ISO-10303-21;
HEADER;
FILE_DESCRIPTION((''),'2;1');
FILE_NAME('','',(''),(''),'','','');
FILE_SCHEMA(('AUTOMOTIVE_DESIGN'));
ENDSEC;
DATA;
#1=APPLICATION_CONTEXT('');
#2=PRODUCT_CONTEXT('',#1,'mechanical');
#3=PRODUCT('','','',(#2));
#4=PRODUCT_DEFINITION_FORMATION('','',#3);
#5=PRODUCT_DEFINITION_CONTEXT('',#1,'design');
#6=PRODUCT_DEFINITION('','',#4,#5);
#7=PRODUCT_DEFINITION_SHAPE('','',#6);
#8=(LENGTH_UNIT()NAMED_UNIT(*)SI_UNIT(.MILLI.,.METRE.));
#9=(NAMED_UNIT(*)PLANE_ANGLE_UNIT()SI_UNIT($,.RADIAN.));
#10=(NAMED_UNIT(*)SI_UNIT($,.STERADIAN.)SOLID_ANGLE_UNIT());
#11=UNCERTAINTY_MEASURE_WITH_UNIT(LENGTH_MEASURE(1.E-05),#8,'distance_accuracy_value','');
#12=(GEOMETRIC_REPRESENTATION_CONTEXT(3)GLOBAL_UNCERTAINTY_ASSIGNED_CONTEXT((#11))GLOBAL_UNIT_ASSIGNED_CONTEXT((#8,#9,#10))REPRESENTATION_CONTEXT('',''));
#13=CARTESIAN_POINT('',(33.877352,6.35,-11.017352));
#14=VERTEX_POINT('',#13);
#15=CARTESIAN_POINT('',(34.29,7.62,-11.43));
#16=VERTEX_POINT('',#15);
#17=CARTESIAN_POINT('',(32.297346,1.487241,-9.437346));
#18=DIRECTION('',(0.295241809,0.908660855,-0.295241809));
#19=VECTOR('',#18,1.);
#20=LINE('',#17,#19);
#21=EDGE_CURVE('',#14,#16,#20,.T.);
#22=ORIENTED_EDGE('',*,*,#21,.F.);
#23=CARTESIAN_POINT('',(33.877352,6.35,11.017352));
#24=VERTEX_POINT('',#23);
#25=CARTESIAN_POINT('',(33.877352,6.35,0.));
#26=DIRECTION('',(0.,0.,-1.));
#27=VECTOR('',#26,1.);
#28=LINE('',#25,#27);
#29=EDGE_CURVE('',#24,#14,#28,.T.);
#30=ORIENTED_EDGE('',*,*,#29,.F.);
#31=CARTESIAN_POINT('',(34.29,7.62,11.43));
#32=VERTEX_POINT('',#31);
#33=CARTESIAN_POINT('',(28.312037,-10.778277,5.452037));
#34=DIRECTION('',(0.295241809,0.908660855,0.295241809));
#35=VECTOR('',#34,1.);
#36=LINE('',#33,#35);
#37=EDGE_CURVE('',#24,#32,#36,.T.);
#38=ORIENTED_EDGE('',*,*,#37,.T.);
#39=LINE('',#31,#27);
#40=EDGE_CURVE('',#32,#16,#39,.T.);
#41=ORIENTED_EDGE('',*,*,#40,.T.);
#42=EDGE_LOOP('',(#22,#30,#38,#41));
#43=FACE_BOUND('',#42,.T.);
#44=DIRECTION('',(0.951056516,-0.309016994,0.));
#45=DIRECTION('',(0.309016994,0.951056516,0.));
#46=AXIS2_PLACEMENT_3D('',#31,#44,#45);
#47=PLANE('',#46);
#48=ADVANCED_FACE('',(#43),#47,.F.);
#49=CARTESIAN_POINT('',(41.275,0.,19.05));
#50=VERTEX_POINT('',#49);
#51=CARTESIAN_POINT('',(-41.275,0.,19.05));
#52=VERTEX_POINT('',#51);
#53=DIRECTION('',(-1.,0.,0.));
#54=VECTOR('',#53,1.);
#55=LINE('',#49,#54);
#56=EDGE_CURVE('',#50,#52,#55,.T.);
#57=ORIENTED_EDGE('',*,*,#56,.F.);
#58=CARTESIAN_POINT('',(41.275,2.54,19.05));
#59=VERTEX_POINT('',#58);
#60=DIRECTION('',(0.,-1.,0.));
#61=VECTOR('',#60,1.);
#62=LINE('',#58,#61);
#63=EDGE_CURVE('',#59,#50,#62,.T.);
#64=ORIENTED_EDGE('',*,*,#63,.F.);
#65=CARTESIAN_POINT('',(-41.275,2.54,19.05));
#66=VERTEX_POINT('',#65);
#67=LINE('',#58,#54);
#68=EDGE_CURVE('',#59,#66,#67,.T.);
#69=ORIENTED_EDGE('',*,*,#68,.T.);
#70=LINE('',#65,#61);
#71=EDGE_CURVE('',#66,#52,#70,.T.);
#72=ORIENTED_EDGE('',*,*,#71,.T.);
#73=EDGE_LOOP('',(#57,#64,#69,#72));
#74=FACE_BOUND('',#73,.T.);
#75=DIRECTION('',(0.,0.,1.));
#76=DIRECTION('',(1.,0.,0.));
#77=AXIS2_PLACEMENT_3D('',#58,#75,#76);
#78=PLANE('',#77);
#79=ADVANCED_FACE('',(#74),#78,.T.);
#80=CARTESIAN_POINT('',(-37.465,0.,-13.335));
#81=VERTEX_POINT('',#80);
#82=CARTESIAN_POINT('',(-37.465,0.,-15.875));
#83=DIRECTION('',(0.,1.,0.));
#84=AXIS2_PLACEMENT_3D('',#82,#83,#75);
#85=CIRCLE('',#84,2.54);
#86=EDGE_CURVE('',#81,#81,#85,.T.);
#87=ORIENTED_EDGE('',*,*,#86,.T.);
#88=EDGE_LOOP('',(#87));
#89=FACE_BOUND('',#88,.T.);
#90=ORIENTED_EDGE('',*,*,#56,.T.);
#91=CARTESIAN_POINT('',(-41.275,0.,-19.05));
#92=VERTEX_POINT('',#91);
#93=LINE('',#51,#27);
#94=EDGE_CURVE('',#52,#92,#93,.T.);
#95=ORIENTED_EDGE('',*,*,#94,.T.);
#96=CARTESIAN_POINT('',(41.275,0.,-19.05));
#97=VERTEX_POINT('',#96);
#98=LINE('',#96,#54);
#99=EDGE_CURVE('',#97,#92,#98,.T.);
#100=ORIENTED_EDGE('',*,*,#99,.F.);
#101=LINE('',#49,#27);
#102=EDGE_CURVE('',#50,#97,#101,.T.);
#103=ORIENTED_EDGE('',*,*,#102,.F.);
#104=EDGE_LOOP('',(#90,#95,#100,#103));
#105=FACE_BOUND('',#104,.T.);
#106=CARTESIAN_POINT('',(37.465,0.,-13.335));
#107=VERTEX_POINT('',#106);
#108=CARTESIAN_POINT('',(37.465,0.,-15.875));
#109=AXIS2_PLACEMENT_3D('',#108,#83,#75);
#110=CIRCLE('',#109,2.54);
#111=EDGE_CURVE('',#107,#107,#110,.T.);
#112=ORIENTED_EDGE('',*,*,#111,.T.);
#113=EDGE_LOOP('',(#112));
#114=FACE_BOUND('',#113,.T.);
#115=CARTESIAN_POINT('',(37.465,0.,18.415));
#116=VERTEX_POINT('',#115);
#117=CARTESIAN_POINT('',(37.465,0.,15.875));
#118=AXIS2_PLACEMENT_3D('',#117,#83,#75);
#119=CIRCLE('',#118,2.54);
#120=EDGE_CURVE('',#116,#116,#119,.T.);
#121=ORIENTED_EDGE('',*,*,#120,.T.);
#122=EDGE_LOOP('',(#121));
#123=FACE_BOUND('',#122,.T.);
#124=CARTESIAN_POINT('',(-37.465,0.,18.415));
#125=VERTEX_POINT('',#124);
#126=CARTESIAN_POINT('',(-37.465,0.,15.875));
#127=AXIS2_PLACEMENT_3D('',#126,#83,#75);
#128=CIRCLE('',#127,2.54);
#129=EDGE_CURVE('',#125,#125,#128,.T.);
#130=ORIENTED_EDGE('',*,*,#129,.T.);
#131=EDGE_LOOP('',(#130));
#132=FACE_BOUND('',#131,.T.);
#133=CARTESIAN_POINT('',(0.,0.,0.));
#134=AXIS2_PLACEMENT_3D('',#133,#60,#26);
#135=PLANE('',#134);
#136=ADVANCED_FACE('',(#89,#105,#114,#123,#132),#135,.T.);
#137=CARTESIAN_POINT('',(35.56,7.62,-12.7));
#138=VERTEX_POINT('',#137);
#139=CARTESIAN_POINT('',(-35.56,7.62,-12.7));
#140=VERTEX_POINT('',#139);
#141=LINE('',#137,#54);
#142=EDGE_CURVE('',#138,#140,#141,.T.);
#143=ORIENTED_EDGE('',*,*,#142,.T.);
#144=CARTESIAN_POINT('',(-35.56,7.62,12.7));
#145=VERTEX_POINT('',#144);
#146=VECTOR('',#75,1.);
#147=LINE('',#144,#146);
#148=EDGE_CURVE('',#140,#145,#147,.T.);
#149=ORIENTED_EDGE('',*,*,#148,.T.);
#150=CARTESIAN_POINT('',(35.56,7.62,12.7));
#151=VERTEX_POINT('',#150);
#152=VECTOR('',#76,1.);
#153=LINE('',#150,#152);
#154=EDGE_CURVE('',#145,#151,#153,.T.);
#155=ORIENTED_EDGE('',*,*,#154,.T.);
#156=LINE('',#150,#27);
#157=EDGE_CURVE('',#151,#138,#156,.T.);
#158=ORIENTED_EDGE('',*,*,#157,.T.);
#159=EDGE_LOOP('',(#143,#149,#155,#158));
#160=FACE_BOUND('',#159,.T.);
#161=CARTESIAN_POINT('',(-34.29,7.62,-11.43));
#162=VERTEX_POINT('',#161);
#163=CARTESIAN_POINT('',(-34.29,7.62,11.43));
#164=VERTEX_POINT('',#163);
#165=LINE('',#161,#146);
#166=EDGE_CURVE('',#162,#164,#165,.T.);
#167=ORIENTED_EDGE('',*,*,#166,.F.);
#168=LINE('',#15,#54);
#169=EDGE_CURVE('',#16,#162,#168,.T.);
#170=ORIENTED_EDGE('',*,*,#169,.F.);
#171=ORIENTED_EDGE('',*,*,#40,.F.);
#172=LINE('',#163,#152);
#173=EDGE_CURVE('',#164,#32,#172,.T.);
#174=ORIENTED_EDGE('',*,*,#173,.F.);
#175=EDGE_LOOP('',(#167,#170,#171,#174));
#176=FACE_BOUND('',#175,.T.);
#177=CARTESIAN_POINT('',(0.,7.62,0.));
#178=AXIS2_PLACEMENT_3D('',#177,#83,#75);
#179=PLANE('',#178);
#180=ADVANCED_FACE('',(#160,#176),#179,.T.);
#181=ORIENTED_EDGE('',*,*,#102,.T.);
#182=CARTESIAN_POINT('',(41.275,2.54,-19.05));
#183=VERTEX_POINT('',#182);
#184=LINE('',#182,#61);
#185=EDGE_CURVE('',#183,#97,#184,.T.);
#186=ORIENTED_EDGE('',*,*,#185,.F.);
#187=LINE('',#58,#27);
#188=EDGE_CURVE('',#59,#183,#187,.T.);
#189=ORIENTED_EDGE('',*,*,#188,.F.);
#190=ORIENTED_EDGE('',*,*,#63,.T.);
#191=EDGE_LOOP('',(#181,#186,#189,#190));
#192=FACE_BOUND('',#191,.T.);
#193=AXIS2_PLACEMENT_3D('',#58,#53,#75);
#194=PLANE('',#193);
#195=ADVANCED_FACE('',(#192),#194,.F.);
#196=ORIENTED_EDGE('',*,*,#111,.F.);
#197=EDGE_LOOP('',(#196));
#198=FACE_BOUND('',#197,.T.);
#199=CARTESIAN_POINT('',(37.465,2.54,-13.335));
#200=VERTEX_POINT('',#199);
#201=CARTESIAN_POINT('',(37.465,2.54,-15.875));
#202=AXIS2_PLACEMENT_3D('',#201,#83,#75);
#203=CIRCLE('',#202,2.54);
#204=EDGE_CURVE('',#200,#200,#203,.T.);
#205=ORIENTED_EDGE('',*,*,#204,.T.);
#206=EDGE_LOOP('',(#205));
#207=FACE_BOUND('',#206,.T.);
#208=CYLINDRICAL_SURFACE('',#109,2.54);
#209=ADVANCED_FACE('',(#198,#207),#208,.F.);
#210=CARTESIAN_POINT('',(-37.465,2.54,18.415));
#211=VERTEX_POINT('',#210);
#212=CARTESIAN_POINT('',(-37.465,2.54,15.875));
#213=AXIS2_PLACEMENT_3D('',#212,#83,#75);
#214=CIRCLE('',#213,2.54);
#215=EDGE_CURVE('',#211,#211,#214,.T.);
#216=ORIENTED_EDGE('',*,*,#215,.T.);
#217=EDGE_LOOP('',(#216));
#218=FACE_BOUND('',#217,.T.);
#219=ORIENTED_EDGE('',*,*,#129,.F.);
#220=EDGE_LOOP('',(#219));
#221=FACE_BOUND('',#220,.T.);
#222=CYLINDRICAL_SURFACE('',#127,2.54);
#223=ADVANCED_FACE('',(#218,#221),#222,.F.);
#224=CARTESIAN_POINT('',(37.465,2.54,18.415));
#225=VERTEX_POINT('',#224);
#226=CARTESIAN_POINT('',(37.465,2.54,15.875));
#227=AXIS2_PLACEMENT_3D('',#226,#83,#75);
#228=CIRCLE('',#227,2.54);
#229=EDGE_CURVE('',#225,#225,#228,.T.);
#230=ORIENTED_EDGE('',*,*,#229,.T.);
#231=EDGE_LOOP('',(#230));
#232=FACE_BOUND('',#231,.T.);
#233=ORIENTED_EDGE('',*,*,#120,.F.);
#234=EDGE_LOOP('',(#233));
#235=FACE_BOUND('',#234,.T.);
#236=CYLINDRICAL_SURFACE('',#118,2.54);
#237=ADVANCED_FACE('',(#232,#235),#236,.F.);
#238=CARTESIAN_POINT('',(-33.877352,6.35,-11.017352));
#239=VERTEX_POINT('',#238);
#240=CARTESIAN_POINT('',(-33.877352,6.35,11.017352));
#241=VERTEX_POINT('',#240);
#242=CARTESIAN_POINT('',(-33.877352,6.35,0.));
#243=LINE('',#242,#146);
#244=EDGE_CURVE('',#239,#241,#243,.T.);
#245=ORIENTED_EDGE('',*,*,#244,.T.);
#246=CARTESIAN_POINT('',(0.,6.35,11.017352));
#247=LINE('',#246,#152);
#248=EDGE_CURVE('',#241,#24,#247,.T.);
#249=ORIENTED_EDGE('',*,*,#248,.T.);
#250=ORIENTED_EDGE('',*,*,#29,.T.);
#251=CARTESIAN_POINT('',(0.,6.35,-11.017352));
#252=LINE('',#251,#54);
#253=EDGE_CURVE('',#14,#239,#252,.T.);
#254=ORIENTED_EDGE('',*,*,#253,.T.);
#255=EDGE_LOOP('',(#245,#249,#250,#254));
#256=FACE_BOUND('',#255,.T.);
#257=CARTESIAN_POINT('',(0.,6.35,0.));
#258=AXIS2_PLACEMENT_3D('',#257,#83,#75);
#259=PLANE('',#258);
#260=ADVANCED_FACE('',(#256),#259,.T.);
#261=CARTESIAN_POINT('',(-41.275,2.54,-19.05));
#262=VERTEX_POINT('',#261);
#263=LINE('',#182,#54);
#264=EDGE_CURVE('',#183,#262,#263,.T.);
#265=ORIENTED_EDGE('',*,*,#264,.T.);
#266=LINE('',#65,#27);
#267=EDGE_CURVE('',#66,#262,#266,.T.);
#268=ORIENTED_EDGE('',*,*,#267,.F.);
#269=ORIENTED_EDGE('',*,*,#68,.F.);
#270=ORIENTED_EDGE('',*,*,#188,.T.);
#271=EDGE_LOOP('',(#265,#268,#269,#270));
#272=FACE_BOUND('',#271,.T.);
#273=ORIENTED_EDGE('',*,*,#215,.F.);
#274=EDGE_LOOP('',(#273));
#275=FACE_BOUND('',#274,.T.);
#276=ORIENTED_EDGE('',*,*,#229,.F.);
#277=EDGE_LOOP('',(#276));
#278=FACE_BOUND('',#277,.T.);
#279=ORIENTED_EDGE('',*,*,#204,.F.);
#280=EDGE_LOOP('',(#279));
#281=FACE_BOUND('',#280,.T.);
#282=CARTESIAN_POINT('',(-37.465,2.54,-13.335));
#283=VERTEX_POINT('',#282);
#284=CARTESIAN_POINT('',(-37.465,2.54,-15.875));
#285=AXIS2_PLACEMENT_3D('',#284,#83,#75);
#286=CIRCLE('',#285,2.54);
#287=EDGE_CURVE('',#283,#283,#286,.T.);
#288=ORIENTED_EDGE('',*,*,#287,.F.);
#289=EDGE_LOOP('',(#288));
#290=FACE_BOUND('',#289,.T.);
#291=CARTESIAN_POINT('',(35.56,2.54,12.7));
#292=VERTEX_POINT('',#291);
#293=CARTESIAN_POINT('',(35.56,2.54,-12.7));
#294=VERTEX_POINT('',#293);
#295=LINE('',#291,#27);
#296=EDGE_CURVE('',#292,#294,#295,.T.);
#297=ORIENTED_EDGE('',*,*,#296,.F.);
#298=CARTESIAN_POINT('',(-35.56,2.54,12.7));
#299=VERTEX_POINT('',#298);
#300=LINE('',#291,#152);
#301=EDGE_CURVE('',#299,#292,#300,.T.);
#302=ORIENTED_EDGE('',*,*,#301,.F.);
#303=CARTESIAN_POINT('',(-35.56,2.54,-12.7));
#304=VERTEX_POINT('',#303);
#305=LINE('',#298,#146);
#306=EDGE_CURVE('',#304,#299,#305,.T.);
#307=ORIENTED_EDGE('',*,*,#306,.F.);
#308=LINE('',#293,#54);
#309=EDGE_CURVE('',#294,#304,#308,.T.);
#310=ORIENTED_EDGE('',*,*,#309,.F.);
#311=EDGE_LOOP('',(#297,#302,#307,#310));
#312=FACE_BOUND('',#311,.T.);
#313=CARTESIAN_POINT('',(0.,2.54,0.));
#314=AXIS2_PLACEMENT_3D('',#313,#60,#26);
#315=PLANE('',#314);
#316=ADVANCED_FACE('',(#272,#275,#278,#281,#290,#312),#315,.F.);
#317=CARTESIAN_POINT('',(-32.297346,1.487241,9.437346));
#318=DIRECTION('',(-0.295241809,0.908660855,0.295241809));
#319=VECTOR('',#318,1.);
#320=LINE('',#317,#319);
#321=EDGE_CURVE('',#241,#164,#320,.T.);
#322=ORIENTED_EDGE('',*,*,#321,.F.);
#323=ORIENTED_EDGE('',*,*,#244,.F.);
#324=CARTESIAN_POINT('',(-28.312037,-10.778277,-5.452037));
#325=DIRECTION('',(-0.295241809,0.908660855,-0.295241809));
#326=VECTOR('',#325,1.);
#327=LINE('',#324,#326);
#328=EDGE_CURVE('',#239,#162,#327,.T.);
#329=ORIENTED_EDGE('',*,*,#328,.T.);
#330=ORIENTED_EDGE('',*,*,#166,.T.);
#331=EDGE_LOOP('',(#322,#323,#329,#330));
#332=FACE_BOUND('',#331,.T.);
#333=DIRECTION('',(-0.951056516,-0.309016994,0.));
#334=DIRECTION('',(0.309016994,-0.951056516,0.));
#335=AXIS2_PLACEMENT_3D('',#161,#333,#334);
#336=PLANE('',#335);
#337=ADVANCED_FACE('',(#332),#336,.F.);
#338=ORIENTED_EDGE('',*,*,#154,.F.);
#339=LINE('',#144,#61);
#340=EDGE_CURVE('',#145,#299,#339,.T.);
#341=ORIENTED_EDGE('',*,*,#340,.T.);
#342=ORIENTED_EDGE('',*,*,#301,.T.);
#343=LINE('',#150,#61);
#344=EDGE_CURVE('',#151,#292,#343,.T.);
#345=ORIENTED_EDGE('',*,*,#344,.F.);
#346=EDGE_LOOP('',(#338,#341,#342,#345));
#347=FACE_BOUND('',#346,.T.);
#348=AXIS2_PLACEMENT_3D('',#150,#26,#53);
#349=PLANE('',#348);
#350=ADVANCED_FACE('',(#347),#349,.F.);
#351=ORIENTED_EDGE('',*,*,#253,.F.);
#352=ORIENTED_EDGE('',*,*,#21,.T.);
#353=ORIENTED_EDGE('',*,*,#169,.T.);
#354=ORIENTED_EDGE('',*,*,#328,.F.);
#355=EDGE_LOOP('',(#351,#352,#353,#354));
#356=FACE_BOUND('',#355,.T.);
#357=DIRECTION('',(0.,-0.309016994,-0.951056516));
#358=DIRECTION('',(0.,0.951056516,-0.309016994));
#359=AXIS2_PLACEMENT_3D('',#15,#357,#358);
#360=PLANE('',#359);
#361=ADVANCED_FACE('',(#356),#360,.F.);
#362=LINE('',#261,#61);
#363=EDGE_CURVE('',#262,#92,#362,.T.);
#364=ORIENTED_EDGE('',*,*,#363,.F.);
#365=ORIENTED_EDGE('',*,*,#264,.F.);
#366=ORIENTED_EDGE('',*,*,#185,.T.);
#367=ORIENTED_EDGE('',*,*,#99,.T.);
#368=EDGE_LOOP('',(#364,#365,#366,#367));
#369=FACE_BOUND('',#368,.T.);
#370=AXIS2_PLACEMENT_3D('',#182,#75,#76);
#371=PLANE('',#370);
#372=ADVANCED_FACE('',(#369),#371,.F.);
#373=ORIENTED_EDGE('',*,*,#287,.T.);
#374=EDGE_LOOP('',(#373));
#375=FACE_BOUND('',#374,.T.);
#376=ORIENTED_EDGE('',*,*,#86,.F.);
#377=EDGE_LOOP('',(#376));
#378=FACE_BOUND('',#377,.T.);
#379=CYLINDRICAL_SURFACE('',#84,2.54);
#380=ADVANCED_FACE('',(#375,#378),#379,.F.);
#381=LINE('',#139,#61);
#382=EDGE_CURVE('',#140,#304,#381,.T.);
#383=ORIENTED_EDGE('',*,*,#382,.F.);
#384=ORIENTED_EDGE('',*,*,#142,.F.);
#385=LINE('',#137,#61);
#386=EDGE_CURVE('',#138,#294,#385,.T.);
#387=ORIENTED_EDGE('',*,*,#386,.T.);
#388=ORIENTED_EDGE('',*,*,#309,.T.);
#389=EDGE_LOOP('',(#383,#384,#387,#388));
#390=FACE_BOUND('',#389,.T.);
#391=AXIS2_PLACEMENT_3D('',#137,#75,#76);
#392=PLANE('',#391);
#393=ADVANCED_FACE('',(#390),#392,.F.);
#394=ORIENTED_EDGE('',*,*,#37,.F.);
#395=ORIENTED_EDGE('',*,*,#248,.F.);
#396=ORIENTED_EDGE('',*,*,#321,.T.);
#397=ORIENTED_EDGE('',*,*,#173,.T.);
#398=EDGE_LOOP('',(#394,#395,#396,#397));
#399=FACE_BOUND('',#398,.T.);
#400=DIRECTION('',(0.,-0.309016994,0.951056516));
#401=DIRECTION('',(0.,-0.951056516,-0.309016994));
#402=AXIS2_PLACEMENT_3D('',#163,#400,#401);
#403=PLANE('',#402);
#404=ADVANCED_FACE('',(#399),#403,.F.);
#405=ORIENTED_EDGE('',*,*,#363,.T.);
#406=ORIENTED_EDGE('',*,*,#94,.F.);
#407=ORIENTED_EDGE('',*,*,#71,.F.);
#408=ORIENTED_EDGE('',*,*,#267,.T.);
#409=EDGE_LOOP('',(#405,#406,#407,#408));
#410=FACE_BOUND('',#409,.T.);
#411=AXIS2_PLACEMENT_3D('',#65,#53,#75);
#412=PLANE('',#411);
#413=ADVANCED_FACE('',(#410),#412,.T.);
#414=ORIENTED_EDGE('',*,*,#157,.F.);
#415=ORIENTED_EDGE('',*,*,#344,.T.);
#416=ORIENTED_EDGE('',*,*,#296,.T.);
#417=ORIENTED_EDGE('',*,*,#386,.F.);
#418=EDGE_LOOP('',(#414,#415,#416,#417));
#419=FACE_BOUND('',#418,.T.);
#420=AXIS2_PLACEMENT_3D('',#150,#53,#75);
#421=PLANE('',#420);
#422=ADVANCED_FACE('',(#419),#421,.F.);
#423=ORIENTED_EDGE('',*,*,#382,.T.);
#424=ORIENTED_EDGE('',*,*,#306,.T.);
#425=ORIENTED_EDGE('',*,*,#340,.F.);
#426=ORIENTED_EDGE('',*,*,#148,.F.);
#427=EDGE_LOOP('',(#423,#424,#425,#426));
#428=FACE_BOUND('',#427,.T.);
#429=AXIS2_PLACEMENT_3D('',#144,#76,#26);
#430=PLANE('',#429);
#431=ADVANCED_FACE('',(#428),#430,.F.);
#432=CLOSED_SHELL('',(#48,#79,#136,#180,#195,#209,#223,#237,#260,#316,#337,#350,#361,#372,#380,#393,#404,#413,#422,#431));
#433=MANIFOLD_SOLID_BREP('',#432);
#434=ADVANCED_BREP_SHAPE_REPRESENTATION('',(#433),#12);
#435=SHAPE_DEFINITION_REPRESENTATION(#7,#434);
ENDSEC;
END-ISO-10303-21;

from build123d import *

# Parameters (mm, degrees)
SKETCH2_W           = 82.55
SKETCH2_H           = 38.1
BOSS_EXTRUDE1_DEPTH = 2.54
SKETCH3_W           = 71.12
SKETCH3_H           = 25.4
BOSS_EXTRUDE2_DEPTH = 5.08
SKETCH4_W           = 68.58
SKETCH4_H           = 22.86
CUT_EXTRUDE1_DEPTH  = 1.27
CUT_EXTRUDE1_DRAFT  = -18
SKETCH5_R           = 2.54
CUT_EXTRUDE2_DEPTH  = 2.54


with BuildPart() as part:
    # Sketch2 → Boss-Extrude1 (new body)
    with BuildSketch(Plane(origin=(0, 0, 0), x_dir=(1, 0, 0), z_dir=(0, 1, 0))):
        Rectangle(SKETCH2_W, SKETCH2_H)
    extrude(amount=BOSS_EXTRUDE1_DEPTH)

    # Sketch3 → Boss-Extrude2 (add)
    with BuildSketch(Plane(origin=(0, 2.54, 0), x_dir=(1, 0, 0), z_dir=(0, 1, 0))):
        Rectangle(SKETCH3_W, SKETCH3_H)
    extrude(amount=BOSS_EXTRUDE2_DEPTH)


with BuildPart() as cut_extrude1_tool:
    # Sketch4 → Cut-Extrude1 (with draft: the straight prism first)
    with BuildSketch(Plane(origin=(0, 7.62, 0), x_dir=(1, 0, 0), z_dir=(0, 1, 0))):
        Rectangle(SKETCH4_W, SKETCH4_H)
    extrude(amount=-CUT_EXTRUDE1_DEPTH)
    # Cut-Extrude1: the draft: its side faces are tilted about the plane it starts from
    cut_extrude1_sides = [cut_extrude1_tool.faces().sort_by_distance(p)[0] for p in [
        (-34.29, 6.985, 0),
        (0, 6.985, 11.43),
        (34.29, 6.985, 0),
        (0, 6.985, -11.43),
    ]]
    draft(cut_extrude1_sides, Plane(origin=(0, 7.62, 0), x_dir=(1, 0, 0), z_dir=(0, 1, 0)), CUT_EXTRUDE1_DRAFT)


with BuildPart() as part_1:
    add(part.part)

    # Cut-Extrude1: cut by cut_extrude1_tool
    add(cut_extrude1_tool.part, mode=Mode.SUBTRACT)

    # Sketch5 → Cut-Extrude2 (cut)
    with BuildSketch(Plane(origin=(0, 2.54, 0), x_dir=(1, 0, 0), z_dir=(0, 1, 0))):
        with Locations((-37.465, 15.875)):
            Circle(SKETCH5_R)
        with Locations((-37.465, -15.875)):
            Circle(SKETCH5_R)
        with Locations((37.465, -15.875)):
            Circle(SKETCH5_R)
        with Locations((37.465, 15.875)):
            Circle(SKETCH5_R)
    extrude(amount=-CUT_EXTRUDE2_DEPTH, mode=Mode.SUBTRACT)


solid = part_1.part
